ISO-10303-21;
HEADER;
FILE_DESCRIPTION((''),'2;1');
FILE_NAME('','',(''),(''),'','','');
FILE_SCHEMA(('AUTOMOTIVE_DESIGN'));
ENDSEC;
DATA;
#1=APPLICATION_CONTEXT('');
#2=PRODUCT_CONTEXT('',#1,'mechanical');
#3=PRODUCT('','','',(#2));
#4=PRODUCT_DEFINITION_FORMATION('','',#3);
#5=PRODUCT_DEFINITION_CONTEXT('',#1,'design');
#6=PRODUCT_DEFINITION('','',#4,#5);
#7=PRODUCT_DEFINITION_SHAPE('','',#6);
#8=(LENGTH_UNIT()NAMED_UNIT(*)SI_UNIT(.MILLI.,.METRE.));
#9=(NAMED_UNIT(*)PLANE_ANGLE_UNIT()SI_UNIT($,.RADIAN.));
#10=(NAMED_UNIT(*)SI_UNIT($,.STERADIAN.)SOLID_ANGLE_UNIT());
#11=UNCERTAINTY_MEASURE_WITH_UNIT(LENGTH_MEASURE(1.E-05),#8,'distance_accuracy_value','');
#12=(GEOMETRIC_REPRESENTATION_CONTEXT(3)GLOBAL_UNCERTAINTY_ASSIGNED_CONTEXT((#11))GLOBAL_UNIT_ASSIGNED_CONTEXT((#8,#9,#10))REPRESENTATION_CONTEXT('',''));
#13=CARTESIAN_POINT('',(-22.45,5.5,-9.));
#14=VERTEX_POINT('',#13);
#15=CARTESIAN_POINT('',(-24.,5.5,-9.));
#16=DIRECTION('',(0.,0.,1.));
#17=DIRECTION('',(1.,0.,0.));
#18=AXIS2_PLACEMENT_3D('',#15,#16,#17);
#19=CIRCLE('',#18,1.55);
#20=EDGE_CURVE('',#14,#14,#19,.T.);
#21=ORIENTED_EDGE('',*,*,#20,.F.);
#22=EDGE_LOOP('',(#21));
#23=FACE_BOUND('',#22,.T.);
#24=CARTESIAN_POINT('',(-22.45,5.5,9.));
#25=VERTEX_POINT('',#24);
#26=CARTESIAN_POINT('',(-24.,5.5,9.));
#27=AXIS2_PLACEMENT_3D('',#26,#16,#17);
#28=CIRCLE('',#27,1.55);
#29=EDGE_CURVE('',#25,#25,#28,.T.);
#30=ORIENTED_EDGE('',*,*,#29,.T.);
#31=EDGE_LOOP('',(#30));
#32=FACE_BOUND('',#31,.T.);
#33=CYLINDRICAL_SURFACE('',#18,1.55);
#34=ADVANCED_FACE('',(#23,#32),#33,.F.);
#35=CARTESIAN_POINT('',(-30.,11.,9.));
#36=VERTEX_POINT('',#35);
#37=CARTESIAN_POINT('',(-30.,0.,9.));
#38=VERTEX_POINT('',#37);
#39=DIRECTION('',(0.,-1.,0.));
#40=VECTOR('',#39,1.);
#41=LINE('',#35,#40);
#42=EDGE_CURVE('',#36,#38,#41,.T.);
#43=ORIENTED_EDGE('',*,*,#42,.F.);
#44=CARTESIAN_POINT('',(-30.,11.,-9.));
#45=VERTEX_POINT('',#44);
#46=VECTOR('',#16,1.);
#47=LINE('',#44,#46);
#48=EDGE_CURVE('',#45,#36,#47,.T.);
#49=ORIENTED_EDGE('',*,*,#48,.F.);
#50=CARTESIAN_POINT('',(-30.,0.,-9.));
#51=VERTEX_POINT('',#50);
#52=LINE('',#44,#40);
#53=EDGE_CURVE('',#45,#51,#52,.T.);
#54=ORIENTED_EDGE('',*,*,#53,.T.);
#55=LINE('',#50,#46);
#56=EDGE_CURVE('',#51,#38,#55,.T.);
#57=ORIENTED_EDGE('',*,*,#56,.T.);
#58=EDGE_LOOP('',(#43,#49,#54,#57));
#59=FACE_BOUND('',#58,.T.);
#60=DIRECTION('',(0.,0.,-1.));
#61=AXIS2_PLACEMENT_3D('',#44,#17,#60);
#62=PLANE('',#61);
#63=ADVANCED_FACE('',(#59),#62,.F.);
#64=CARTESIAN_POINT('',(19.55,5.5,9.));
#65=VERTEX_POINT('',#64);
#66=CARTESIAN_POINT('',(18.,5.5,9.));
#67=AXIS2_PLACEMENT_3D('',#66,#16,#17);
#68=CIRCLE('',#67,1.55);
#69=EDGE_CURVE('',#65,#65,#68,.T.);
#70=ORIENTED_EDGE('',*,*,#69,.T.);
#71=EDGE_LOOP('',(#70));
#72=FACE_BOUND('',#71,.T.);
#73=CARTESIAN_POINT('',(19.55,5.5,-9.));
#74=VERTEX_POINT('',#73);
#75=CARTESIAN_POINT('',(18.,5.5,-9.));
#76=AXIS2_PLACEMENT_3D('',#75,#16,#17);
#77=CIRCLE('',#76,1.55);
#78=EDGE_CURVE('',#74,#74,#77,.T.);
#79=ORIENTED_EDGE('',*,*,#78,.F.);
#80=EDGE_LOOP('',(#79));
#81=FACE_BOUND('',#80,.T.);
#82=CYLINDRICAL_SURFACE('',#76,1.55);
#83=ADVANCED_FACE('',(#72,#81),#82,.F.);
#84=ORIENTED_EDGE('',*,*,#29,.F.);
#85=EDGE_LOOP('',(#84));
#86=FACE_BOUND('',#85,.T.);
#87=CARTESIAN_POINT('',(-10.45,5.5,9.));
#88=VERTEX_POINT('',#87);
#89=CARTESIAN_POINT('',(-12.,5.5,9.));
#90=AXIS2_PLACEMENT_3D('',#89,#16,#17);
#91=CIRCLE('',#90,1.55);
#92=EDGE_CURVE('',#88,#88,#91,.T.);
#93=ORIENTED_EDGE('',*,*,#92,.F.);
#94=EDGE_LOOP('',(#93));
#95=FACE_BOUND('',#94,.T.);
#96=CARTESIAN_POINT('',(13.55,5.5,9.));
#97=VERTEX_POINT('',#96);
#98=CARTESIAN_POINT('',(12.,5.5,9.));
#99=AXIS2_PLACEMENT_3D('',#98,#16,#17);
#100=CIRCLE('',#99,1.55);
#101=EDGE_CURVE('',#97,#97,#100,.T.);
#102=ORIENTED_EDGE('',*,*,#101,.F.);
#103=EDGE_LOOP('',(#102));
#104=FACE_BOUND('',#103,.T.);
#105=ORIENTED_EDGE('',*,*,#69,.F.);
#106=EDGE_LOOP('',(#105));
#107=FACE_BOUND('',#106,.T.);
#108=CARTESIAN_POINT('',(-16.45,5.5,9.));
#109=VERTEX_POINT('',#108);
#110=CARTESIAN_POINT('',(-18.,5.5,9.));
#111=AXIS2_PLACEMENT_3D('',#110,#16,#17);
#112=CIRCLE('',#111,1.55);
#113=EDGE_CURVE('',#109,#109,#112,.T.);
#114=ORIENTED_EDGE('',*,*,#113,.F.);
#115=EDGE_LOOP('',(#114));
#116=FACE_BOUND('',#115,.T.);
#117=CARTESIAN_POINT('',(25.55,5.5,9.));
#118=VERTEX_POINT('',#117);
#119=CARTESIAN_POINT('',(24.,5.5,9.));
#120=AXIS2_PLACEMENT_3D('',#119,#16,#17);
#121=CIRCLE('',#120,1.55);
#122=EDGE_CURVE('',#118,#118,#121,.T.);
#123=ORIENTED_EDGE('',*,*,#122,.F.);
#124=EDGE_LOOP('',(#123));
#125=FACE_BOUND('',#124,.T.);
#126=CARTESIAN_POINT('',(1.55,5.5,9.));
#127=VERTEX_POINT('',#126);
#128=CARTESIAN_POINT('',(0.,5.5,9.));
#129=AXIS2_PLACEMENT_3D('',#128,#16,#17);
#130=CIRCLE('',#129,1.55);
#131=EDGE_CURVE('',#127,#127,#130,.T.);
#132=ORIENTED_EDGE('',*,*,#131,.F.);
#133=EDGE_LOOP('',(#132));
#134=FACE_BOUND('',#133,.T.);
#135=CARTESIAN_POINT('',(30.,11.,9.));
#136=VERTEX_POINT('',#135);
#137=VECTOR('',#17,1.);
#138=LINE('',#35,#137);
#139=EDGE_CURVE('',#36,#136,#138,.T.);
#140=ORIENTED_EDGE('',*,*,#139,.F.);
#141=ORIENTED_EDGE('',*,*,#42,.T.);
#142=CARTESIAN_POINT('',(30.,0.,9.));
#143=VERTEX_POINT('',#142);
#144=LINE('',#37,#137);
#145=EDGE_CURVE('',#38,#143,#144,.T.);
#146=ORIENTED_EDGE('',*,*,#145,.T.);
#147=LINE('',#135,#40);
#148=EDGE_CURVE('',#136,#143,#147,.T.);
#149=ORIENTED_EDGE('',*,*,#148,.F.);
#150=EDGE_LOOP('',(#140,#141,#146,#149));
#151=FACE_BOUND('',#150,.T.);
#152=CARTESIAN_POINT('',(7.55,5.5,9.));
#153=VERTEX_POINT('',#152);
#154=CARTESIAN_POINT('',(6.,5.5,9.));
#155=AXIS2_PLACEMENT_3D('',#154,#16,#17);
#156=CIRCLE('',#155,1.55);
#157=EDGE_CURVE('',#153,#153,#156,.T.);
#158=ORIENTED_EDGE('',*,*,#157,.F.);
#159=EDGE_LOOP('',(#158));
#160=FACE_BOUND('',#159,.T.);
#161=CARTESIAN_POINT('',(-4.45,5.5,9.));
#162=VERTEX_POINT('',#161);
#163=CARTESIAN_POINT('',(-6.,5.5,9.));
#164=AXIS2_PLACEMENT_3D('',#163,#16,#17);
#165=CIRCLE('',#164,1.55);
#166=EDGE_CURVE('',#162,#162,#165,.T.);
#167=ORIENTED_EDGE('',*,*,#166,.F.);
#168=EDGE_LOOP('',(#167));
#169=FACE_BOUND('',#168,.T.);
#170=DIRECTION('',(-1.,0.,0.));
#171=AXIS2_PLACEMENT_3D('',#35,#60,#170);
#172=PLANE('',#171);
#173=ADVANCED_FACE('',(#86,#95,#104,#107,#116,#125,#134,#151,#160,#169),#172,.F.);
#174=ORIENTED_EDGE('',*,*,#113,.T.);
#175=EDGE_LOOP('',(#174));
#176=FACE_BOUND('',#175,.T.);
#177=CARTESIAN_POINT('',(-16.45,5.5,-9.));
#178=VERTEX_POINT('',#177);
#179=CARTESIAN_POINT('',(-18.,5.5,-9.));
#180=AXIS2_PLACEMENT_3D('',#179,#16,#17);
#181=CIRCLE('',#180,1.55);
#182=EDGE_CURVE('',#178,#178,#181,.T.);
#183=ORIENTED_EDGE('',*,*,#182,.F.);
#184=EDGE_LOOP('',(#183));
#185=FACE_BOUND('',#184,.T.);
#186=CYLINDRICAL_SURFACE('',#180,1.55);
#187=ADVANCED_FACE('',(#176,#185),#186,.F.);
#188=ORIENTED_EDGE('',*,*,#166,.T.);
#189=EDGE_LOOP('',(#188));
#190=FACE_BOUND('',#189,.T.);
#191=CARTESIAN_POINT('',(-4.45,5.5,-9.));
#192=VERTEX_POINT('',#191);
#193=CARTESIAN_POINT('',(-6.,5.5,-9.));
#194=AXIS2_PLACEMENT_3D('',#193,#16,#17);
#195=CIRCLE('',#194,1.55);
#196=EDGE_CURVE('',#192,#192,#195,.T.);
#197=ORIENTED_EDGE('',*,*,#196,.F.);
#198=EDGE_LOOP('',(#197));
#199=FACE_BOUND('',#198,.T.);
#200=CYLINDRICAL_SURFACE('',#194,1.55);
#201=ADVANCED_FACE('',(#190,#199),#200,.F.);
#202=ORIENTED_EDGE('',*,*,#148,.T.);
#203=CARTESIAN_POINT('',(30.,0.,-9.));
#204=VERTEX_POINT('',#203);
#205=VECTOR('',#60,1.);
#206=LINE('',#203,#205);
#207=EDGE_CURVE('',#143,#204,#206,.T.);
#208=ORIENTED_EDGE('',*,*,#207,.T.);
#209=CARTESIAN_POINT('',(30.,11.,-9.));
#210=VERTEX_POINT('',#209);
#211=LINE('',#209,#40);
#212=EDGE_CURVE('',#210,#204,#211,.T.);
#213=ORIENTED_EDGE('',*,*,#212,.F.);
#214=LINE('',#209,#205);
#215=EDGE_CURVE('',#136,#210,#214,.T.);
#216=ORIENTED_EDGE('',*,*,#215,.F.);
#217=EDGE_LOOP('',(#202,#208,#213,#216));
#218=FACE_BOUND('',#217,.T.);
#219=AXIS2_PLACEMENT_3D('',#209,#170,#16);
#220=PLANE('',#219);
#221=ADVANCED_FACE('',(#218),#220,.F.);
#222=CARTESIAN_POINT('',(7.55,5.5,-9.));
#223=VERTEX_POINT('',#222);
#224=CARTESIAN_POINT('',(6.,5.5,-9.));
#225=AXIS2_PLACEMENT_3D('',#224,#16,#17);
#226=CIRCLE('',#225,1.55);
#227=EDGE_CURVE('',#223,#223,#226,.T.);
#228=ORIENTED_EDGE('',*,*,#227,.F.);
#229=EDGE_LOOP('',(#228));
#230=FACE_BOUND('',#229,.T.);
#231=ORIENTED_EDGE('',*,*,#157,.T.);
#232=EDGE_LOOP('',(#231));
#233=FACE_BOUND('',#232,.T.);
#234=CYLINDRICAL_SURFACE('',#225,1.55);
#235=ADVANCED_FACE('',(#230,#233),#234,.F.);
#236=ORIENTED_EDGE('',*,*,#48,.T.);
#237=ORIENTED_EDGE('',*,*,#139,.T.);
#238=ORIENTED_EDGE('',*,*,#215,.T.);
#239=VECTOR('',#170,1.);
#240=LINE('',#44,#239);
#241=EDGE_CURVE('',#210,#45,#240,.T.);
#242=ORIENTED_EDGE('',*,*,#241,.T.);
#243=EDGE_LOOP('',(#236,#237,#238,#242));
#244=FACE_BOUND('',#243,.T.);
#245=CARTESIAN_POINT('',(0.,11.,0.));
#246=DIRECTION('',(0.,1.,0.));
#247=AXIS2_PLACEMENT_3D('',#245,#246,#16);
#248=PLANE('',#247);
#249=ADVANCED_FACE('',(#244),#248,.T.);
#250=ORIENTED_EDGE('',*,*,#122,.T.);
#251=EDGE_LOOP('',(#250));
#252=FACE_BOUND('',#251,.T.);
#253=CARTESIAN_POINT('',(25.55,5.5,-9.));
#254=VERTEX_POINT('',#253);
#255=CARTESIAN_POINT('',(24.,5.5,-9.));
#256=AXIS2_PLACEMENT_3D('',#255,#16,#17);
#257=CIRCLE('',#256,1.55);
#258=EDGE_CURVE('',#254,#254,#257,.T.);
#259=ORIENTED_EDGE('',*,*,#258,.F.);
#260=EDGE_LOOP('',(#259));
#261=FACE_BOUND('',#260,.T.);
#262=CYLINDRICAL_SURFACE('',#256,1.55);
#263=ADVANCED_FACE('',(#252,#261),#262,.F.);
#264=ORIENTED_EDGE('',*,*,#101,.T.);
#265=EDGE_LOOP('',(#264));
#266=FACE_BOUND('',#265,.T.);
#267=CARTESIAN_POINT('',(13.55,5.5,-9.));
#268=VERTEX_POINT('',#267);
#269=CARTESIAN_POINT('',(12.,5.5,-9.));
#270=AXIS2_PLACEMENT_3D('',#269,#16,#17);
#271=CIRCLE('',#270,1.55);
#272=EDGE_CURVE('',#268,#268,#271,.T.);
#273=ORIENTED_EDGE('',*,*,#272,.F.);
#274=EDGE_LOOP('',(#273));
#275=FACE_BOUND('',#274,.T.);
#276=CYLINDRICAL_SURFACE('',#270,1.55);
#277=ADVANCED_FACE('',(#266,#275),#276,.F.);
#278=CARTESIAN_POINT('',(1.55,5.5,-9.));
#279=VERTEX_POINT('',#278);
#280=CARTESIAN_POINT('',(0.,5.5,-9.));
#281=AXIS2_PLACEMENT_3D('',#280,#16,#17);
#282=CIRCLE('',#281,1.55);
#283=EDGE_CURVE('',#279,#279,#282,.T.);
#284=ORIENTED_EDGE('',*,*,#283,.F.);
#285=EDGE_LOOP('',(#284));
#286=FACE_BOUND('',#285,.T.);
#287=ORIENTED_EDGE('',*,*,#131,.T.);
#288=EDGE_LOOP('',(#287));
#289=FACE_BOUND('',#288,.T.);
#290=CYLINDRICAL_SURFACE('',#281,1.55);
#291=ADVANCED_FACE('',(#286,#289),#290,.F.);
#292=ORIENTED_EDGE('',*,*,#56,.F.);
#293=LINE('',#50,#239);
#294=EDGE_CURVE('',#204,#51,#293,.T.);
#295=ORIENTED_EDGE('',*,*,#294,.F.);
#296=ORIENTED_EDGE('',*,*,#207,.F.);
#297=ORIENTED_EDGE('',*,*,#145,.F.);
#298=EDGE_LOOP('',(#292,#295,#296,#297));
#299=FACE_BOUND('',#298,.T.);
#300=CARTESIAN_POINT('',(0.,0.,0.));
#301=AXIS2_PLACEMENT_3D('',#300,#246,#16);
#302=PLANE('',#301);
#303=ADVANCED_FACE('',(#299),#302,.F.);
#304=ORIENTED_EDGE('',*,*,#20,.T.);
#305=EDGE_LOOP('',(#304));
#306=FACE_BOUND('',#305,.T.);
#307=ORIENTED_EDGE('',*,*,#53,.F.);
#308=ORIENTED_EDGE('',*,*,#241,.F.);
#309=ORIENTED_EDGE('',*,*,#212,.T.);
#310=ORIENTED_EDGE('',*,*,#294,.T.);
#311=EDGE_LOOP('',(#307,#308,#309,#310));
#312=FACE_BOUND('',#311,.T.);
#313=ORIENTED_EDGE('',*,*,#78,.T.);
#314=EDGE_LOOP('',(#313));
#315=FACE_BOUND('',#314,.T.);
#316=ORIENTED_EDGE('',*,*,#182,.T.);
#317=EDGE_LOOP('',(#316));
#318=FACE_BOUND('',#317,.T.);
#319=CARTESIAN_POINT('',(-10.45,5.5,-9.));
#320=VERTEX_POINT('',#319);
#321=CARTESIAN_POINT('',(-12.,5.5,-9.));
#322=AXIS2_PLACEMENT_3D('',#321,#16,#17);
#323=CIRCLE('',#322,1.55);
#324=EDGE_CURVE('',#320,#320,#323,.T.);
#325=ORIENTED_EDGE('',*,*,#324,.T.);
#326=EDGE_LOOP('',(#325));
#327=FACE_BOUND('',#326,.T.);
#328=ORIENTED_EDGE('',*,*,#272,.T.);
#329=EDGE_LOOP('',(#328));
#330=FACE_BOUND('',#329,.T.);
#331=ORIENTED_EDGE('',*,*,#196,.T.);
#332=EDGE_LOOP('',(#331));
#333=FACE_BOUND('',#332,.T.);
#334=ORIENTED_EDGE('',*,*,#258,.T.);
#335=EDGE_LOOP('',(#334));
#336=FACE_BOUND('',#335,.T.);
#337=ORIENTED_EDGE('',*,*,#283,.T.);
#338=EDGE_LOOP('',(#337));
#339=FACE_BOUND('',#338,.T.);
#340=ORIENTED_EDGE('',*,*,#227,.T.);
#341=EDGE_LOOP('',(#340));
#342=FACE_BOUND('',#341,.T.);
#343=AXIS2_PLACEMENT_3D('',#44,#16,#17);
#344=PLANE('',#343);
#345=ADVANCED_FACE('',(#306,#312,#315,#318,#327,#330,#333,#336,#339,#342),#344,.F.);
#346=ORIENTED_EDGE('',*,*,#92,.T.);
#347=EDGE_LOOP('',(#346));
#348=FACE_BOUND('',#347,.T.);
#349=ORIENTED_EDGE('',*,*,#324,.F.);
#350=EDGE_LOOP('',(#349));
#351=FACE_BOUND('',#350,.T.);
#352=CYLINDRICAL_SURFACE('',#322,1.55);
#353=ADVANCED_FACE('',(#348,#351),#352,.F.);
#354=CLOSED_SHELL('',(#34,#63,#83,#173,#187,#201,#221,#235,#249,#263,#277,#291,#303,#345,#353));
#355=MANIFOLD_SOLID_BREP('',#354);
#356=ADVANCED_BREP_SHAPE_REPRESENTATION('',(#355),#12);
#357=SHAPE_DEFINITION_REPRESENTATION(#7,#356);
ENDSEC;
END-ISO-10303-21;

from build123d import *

# Parameters (mm, degrees)
SKETCH_1_W          = 60
SKETCH_1_H          = 18
EXTRUDE_1_DEPTH     = 11
SKETCH_2_R          = 1.55
CUT_EXTRUDE_2_DEPTH = 37.674241642


with BuildPart() as part:
    # 草图1 → 凸台-拉伸1 (new body)
    with BuildSketch(Plane(origin=(0, 0, 0), x_dir=(1, 0, 0), z_dir=(0, 1, 0))):
        Rectangle(SKETCH_1_W, SKETCH_1_H)
    extrude(amount=EXTRUDE_1_DEPTH)

    # 草图2 → 切除-拉伸2 (cut, through all)
    with BuildSketch(Plane.XY.offset(9)):
        with Locations((-24, 5.5)):
            Circle(SKETCH_2_R)
        with Locations((-18, 5.5)):
            Circle(SKETCH_2_R)
        with Locations((-12, 5.5)):
            Circle(SKETCH_2_R)
        with Locations((-6, 5.5)):
            Circle(SKETCH_2_R)
        with Locations((0, 5.5)):
            Circle(SKETCH_2_R)
        with Locations((6, 5.5)):
            Circle(SKETCH_2_R)
        with Locations((12, 5.5)):
            Circle(SKETCH_2_R)
        with Locations((18, 5.5)):
            Circle(SKETCH_2_R)
        with Locations((24, 5.5)):
            Circle(SKETCH_2_R)
    extrude(amount=-CUT_EXTRUDE_2_DEPTH, mode=Mode.SUBTRACT)


solid = part.part
